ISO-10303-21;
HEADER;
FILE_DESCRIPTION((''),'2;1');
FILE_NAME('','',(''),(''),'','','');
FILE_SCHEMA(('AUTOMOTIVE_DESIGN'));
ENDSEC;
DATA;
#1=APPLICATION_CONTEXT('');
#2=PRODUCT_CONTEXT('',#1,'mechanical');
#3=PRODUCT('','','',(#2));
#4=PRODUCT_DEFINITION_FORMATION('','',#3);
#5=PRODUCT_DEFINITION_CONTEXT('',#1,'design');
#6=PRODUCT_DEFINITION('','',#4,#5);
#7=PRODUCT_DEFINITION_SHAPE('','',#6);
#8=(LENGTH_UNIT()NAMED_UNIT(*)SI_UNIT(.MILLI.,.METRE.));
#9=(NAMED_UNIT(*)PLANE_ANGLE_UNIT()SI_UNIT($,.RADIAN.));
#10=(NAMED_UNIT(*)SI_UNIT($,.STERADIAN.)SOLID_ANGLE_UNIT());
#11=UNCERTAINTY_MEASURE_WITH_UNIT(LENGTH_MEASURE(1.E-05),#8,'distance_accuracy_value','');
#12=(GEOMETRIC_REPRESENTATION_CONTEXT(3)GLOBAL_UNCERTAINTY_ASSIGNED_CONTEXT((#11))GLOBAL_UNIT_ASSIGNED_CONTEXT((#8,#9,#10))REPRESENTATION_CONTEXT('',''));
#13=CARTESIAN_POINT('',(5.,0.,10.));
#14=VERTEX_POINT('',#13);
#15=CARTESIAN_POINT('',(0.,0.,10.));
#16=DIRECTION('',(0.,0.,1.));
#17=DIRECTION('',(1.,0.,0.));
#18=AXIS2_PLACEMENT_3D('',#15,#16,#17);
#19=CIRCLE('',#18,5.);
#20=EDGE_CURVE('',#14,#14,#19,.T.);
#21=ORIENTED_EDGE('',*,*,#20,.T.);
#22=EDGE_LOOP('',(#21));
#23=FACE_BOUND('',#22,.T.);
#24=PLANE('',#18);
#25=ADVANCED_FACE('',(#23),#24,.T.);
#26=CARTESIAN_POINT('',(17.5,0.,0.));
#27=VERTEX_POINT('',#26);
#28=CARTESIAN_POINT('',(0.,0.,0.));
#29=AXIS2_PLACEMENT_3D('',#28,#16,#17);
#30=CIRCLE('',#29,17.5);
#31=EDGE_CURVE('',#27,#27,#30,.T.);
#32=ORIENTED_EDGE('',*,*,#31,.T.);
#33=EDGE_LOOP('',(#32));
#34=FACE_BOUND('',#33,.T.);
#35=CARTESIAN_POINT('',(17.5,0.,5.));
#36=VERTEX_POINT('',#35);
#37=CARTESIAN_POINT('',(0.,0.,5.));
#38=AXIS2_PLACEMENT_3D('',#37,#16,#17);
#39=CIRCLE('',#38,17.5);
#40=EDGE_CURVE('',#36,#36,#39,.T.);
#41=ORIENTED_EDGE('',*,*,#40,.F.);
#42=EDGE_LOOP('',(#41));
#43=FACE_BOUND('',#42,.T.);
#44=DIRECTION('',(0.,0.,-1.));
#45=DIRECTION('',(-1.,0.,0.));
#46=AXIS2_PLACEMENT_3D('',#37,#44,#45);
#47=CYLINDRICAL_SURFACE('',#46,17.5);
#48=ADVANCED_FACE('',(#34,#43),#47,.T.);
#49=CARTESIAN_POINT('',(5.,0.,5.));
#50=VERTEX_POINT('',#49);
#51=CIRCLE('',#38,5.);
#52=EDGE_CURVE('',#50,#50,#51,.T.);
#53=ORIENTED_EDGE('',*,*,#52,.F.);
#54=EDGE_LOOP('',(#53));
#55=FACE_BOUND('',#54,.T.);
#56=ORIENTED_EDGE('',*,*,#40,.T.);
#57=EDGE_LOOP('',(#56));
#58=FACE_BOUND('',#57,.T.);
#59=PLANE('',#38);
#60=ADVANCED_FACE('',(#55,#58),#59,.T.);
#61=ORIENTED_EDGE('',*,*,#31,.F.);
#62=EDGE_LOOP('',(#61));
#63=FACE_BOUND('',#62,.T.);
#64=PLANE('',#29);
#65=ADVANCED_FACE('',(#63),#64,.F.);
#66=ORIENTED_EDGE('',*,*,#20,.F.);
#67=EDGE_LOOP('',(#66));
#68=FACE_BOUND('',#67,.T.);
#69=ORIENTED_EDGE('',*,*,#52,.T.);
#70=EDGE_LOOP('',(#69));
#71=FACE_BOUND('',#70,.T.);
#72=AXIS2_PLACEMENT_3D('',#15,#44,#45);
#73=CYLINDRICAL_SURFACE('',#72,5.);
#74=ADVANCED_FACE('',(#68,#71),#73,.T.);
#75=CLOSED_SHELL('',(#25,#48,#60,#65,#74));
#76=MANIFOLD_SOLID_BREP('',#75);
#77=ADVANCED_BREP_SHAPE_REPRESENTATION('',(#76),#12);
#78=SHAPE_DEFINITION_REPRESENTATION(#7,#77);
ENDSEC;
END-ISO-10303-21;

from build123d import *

# Parameters (mm, degrees)
SKETCH1_R           = 17.5
SKETCH1_R_2         = 5
BOSS_EXTRUDE1_DEPTH = 5
SKETCH1_2_R         = 5
BOSS_EXTRUDE2_DEPTH = 10


with BuildPart() as part:
    # Sketch1 → Boss-Extrude1 (new body)
    with BuildSketch(Plane.XY):
        Circle(SKETCH1_R)
        Circle(SKETCH1_R_2, mode=Mode.SUBTRACT)
    extrude(amount=BOSS_EXTRUDE1_DEPTH)

    # Sketch1<2> → Boss-Extrude2 (add)
    with BuildSketch(Plane.XY):
        Circle(SKETCH1_2_R)
    extrude(amount=BOSS_EXTRUDE2_DEPTH)


solid = part.part
